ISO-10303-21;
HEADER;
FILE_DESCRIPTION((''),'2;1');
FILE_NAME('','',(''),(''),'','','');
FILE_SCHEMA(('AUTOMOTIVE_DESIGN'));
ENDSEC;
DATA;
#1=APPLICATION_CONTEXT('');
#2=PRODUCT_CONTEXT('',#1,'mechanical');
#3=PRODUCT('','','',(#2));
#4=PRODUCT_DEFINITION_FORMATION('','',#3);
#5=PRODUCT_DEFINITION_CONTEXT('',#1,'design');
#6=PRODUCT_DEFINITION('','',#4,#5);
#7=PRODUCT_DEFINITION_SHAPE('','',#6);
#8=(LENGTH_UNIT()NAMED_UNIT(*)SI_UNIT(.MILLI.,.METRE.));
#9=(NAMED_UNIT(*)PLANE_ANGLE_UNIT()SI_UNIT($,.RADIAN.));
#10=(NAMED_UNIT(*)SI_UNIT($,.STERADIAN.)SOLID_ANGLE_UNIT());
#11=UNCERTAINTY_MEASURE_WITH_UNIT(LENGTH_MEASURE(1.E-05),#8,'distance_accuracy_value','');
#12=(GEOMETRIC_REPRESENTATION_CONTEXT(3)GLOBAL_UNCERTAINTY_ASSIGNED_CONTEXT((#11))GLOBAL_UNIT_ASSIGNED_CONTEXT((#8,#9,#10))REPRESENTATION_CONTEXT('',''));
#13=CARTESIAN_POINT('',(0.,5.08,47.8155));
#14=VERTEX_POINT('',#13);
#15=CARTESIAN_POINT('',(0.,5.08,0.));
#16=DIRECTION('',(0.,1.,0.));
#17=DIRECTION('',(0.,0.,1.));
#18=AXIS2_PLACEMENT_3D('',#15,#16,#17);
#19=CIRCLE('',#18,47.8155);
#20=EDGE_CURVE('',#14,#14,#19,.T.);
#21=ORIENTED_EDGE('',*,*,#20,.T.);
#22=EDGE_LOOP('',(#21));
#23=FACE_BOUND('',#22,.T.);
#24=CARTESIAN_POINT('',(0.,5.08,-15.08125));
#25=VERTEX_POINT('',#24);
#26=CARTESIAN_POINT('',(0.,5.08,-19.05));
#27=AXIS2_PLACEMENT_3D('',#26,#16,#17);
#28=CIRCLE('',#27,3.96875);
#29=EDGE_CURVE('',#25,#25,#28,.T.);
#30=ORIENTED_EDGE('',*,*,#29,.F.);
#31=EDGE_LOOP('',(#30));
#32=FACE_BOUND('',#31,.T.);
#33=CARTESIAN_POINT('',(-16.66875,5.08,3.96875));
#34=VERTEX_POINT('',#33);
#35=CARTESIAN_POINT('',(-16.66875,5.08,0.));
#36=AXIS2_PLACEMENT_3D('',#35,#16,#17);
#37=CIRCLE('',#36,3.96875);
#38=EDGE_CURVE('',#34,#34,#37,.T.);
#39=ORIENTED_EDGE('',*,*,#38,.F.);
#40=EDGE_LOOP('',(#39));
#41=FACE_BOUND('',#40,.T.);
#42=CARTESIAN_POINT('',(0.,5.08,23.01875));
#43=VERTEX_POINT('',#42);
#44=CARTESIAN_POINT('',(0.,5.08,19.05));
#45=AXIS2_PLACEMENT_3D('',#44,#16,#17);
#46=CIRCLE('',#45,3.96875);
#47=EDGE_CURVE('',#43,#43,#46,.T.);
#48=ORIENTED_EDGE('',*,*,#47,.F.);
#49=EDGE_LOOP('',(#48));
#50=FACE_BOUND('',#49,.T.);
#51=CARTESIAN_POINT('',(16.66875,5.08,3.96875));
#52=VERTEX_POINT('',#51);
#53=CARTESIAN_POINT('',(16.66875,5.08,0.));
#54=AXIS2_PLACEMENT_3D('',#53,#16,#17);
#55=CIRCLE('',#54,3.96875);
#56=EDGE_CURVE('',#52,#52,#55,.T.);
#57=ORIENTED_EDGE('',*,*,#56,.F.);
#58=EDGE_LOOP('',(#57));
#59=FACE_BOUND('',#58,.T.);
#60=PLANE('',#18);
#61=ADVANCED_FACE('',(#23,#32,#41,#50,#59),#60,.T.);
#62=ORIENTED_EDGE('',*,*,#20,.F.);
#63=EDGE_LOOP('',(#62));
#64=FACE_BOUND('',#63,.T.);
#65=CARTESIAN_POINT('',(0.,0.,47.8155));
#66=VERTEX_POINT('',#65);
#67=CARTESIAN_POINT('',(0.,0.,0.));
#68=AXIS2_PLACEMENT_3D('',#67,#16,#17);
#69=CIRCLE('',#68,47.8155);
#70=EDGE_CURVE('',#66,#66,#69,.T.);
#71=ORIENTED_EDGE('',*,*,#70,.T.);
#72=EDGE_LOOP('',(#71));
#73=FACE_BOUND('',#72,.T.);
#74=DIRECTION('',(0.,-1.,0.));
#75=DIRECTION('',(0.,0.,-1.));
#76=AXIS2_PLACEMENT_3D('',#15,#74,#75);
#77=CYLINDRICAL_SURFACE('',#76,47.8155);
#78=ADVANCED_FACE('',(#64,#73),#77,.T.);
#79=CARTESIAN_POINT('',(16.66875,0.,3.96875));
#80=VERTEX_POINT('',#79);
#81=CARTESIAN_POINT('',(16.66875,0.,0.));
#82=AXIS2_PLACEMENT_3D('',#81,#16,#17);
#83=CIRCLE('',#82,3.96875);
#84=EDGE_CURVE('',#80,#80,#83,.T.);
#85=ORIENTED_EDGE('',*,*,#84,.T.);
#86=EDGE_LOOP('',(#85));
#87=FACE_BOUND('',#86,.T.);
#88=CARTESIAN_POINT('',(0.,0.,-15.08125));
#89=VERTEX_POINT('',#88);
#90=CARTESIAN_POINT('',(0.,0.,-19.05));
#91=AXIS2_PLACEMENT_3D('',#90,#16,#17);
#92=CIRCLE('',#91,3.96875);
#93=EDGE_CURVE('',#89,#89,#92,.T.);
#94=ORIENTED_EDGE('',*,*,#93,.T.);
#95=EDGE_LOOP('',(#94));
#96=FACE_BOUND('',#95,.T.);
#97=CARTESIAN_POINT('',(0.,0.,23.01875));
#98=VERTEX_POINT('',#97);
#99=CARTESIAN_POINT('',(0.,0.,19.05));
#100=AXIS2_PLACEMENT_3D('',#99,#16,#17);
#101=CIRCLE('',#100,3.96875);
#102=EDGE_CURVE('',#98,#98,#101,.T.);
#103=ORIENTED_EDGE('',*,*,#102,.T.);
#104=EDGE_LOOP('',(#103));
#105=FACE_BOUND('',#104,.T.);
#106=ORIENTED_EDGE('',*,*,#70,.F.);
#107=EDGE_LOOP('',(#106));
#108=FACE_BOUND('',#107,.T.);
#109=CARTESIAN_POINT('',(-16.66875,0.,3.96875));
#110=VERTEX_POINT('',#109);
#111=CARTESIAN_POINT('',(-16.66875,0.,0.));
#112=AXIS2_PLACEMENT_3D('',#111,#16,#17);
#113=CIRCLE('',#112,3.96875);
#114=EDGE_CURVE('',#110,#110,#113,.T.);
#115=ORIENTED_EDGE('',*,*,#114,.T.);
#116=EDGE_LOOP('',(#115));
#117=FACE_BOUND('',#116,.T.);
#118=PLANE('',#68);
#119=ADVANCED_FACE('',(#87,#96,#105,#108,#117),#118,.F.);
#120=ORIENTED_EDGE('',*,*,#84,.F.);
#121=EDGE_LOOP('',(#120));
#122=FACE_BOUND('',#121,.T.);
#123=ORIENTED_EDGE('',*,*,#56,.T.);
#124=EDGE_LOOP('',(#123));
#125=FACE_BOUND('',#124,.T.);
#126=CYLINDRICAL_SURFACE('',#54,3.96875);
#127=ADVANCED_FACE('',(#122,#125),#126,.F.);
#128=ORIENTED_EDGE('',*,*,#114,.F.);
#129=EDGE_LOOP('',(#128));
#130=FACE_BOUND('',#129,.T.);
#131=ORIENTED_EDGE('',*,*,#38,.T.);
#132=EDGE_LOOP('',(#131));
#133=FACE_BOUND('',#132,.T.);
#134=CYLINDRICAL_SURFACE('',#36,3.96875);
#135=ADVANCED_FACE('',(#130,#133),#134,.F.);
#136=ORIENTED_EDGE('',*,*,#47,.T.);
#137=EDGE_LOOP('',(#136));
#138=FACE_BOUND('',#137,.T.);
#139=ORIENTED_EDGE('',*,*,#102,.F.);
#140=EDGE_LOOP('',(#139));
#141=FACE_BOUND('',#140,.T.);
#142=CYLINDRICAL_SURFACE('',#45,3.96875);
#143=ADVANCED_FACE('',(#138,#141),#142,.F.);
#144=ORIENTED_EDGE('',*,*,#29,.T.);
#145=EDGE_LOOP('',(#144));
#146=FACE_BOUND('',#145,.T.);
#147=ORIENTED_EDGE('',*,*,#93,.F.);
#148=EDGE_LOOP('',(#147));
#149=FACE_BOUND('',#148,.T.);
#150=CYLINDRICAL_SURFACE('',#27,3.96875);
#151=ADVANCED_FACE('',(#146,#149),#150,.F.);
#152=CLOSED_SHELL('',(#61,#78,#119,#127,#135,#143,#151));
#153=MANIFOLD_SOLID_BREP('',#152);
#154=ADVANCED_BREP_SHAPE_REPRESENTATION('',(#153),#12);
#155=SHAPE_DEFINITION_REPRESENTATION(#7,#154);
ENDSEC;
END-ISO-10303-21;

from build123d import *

# Parameters (mm, degrees)
SKETCH1_R            = 47.8155
BOSS_EXTRUDE1_DEPTH  = 5.08
U_BOLT_HOLES_D       = 7.9375
THREADED_ROD_HOLES_D = 7.9375


with BuildPart() as part:
    # Sketch1 → Boss-Extrude1 (new body)
    with BuildSketch(Plane(origin=(0, 0, 0), x_dir=(1, 0, 0), z_dir=(0, 1, 0))):
        Circle(SKETCH1_R)
    extrude(amount=BOSS_EXTRUDE1_DEPTH)

    # U-bolt Holes (through all)
    with Locations(Plane(origin=(0, 5.08, 0), x_dir=(1, 0, 0), z_dir=(0, 1, 0))):
        with Locations((-16.66875, 0), (16.66875, 0)):
            Hole(U_BOLT_HOLES_D / 2)

    # Threaded Rod Holes (through all)
    with Locations(Plane(origin=(0, 5.08, 0), x_dir=(1, 0, 0), z_dir=(0, 1, 0))):
        with Locations((0, 19.05), (0, -19.05)):
            Hole(THREADED_ROD_HOLES_D / 2)


solid = part.part
